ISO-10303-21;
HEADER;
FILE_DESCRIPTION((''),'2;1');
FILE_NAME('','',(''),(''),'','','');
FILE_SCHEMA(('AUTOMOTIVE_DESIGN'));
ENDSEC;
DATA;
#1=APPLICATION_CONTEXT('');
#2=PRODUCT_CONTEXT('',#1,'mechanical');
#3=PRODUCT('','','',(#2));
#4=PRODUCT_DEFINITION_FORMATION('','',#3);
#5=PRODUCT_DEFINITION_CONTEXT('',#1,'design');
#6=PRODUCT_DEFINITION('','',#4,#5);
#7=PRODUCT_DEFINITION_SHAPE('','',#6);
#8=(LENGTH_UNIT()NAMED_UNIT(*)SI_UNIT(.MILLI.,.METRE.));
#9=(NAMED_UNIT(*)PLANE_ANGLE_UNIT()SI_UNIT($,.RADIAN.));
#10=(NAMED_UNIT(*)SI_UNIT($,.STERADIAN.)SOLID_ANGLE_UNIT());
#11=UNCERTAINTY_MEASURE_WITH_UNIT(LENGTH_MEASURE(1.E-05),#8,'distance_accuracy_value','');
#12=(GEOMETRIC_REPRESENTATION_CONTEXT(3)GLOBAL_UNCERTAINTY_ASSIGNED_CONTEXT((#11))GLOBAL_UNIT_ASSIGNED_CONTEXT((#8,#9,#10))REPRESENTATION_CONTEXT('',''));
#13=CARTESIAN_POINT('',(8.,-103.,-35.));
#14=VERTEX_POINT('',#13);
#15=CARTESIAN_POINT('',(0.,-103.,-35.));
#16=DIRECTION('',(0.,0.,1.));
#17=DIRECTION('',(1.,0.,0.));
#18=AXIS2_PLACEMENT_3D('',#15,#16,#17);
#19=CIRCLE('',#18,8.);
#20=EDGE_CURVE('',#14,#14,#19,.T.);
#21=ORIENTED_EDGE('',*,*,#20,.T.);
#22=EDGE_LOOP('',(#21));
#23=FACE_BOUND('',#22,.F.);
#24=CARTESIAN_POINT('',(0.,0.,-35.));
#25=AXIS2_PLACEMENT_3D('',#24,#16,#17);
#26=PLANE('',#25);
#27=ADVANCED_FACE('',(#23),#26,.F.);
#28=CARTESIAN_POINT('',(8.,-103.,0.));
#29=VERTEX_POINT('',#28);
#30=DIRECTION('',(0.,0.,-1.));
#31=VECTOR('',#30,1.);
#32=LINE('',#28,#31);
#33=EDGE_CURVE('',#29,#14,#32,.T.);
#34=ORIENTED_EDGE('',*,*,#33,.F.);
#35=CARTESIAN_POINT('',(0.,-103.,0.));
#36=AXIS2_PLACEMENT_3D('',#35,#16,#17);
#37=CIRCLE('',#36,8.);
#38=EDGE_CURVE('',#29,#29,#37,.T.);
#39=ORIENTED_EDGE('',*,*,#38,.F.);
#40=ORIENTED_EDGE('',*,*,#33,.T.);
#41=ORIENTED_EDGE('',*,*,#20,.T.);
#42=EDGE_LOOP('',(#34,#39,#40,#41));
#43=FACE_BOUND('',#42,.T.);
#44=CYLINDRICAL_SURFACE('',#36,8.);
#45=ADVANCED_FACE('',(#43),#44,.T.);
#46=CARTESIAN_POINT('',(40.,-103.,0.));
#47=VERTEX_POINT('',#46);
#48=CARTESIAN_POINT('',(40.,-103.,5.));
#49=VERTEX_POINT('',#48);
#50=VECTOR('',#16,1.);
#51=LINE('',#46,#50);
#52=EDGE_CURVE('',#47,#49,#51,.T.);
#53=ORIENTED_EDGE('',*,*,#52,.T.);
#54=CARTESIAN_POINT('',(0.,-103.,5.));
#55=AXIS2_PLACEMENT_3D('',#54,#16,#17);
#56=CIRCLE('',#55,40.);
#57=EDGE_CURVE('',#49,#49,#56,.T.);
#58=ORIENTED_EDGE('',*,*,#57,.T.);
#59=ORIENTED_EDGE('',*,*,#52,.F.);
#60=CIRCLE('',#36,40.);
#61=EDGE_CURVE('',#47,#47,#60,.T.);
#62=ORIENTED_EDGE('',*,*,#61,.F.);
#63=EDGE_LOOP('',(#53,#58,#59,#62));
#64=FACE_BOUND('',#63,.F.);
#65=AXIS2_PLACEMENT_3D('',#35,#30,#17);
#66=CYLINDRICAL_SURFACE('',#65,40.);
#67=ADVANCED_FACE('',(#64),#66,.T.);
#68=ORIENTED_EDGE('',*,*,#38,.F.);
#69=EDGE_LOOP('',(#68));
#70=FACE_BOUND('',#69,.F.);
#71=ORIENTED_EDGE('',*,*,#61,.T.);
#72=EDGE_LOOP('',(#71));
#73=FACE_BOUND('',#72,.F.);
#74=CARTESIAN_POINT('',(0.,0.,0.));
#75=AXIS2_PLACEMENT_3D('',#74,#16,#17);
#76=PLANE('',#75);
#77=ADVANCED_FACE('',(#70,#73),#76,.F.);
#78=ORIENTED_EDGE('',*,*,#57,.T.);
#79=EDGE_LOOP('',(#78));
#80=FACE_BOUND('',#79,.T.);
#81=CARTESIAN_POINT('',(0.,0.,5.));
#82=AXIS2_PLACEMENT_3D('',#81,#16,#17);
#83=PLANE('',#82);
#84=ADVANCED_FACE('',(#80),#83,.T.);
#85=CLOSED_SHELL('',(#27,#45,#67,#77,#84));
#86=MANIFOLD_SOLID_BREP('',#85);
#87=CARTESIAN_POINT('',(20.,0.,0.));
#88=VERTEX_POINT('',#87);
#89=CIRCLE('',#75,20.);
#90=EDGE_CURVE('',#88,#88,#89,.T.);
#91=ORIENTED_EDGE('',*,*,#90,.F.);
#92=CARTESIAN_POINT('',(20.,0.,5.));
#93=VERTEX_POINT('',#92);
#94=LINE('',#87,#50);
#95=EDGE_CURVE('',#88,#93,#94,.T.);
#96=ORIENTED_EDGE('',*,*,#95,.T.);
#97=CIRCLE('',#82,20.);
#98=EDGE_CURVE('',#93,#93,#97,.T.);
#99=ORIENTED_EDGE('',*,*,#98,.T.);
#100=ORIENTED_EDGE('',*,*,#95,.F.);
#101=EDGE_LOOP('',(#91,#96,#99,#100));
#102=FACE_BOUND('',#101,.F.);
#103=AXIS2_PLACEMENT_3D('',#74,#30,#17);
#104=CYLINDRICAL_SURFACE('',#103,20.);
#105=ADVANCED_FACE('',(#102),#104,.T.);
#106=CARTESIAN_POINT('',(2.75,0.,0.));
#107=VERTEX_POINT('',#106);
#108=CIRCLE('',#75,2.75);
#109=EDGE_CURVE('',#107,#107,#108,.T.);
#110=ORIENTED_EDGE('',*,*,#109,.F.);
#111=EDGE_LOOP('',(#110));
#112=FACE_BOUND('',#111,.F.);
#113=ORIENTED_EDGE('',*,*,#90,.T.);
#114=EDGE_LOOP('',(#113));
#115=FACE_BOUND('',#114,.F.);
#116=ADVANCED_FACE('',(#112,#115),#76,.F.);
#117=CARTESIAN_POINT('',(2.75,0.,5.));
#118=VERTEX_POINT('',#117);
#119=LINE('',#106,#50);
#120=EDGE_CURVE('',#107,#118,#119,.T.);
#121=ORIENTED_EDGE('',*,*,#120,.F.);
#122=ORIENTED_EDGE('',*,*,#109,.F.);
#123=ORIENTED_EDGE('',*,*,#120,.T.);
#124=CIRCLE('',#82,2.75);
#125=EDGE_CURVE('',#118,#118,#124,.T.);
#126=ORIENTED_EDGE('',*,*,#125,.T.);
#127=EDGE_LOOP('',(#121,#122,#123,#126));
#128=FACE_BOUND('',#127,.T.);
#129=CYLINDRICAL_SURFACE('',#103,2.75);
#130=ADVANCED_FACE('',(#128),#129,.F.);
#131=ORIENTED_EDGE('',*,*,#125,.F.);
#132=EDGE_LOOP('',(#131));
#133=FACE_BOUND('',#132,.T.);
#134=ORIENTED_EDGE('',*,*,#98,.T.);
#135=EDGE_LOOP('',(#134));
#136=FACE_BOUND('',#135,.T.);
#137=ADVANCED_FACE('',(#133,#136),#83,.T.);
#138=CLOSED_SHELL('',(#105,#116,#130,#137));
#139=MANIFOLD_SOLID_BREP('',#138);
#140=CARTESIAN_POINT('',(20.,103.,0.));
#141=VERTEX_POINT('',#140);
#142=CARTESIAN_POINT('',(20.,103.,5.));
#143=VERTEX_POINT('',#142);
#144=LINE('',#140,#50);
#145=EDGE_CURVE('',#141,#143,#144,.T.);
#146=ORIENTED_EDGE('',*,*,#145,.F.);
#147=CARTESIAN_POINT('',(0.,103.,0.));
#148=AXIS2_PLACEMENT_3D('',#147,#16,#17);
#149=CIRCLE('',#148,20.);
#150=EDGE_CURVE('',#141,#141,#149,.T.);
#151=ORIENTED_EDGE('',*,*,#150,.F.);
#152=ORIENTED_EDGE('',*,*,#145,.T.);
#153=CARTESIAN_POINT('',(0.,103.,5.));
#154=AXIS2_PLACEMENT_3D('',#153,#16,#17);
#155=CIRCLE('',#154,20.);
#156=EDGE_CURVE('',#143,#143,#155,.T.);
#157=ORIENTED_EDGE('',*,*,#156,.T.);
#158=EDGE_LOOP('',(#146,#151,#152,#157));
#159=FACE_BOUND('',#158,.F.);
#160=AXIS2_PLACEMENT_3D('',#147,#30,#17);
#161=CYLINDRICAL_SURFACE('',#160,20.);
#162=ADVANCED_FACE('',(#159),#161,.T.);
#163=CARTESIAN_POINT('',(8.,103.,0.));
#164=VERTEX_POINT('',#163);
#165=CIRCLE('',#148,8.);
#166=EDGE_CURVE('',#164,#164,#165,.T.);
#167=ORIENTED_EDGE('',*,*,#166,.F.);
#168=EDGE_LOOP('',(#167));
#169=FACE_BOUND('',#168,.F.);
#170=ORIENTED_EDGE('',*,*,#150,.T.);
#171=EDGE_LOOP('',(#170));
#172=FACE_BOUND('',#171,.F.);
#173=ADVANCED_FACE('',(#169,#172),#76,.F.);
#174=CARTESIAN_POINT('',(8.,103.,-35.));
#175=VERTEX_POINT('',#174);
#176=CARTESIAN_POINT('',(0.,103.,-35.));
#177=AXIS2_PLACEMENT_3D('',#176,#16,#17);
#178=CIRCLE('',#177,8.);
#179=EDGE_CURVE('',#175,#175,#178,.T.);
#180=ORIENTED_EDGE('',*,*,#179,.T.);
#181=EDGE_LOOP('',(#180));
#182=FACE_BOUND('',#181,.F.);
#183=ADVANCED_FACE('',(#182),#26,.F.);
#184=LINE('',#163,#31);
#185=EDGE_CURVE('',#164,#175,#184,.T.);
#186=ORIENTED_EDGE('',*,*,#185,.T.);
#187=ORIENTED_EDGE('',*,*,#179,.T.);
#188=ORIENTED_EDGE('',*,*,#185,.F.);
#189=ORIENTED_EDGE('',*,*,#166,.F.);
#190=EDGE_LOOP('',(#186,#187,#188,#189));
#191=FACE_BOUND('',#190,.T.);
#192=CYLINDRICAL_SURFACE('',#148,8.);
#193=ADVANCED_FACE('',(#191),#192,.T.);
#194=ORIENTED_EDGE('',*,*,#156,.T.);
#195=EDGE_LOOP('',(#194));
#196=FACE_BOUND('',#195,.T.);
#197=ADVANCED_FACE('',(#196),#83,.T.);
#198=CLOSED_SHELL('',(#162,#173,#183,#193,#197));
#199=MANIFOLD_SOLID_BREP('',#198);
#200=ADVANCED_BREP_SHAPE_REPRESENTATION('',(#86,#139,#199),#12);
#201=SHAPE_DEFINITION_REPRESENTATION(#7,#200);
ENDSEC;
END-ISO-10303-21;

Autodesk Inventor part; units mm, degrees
ref_plane "YZ Plane" through (0, 0, 0) normal (1, 0, 0) x (0, 1, 0)
ref_plane "XZ Plane" through (0, 0, 0) normal (0, 1, 0) x (-1, 0, 0)
ref_plane "XY Plane" through (0, 0, 0) normal (0, 0, 1) x (1, 0, 0)
sketch "Sketch1" plane through (0, 0, 0) normal (0, 0, 1) x (1, 0, 0)
  circle A0 centre (0, 0) radius 2.5 projected
  circle A1 centre (0, 0) radius 2.5 projected
  circle A2 centre (0, 0) radius 12.5 projected
  circle A3 centre (0, 0) radius 2.75
  circle A4 centre (0, 0) radius 12.5
  circle A5 centre (0, -103) radius 8 projected
  circle A6 centre (0, -103) radius 8
  circle A7 centre (0, -103) radius 40
  circle A8 centre (0, 0) radius 20
  circle A9 centre (0, 103) radius 8 projected
  circle A10 centre (0, 103) radius 20
  dimension "d0" = 5.5
  dimension "d1" = 80
  dimension "d2" = 25
  dimension "d3" = 40
  dimension "d4" = 40
extrude "Extrusion1" add sketch "Sketch1" along normal blind 5 contours A2 | A5 | A7 | A8 | A9 | A10
extrude "Extrusion2" add sketch "Sketch1" against normal blind 35 contours A5 | A9
properties part number "gears"
